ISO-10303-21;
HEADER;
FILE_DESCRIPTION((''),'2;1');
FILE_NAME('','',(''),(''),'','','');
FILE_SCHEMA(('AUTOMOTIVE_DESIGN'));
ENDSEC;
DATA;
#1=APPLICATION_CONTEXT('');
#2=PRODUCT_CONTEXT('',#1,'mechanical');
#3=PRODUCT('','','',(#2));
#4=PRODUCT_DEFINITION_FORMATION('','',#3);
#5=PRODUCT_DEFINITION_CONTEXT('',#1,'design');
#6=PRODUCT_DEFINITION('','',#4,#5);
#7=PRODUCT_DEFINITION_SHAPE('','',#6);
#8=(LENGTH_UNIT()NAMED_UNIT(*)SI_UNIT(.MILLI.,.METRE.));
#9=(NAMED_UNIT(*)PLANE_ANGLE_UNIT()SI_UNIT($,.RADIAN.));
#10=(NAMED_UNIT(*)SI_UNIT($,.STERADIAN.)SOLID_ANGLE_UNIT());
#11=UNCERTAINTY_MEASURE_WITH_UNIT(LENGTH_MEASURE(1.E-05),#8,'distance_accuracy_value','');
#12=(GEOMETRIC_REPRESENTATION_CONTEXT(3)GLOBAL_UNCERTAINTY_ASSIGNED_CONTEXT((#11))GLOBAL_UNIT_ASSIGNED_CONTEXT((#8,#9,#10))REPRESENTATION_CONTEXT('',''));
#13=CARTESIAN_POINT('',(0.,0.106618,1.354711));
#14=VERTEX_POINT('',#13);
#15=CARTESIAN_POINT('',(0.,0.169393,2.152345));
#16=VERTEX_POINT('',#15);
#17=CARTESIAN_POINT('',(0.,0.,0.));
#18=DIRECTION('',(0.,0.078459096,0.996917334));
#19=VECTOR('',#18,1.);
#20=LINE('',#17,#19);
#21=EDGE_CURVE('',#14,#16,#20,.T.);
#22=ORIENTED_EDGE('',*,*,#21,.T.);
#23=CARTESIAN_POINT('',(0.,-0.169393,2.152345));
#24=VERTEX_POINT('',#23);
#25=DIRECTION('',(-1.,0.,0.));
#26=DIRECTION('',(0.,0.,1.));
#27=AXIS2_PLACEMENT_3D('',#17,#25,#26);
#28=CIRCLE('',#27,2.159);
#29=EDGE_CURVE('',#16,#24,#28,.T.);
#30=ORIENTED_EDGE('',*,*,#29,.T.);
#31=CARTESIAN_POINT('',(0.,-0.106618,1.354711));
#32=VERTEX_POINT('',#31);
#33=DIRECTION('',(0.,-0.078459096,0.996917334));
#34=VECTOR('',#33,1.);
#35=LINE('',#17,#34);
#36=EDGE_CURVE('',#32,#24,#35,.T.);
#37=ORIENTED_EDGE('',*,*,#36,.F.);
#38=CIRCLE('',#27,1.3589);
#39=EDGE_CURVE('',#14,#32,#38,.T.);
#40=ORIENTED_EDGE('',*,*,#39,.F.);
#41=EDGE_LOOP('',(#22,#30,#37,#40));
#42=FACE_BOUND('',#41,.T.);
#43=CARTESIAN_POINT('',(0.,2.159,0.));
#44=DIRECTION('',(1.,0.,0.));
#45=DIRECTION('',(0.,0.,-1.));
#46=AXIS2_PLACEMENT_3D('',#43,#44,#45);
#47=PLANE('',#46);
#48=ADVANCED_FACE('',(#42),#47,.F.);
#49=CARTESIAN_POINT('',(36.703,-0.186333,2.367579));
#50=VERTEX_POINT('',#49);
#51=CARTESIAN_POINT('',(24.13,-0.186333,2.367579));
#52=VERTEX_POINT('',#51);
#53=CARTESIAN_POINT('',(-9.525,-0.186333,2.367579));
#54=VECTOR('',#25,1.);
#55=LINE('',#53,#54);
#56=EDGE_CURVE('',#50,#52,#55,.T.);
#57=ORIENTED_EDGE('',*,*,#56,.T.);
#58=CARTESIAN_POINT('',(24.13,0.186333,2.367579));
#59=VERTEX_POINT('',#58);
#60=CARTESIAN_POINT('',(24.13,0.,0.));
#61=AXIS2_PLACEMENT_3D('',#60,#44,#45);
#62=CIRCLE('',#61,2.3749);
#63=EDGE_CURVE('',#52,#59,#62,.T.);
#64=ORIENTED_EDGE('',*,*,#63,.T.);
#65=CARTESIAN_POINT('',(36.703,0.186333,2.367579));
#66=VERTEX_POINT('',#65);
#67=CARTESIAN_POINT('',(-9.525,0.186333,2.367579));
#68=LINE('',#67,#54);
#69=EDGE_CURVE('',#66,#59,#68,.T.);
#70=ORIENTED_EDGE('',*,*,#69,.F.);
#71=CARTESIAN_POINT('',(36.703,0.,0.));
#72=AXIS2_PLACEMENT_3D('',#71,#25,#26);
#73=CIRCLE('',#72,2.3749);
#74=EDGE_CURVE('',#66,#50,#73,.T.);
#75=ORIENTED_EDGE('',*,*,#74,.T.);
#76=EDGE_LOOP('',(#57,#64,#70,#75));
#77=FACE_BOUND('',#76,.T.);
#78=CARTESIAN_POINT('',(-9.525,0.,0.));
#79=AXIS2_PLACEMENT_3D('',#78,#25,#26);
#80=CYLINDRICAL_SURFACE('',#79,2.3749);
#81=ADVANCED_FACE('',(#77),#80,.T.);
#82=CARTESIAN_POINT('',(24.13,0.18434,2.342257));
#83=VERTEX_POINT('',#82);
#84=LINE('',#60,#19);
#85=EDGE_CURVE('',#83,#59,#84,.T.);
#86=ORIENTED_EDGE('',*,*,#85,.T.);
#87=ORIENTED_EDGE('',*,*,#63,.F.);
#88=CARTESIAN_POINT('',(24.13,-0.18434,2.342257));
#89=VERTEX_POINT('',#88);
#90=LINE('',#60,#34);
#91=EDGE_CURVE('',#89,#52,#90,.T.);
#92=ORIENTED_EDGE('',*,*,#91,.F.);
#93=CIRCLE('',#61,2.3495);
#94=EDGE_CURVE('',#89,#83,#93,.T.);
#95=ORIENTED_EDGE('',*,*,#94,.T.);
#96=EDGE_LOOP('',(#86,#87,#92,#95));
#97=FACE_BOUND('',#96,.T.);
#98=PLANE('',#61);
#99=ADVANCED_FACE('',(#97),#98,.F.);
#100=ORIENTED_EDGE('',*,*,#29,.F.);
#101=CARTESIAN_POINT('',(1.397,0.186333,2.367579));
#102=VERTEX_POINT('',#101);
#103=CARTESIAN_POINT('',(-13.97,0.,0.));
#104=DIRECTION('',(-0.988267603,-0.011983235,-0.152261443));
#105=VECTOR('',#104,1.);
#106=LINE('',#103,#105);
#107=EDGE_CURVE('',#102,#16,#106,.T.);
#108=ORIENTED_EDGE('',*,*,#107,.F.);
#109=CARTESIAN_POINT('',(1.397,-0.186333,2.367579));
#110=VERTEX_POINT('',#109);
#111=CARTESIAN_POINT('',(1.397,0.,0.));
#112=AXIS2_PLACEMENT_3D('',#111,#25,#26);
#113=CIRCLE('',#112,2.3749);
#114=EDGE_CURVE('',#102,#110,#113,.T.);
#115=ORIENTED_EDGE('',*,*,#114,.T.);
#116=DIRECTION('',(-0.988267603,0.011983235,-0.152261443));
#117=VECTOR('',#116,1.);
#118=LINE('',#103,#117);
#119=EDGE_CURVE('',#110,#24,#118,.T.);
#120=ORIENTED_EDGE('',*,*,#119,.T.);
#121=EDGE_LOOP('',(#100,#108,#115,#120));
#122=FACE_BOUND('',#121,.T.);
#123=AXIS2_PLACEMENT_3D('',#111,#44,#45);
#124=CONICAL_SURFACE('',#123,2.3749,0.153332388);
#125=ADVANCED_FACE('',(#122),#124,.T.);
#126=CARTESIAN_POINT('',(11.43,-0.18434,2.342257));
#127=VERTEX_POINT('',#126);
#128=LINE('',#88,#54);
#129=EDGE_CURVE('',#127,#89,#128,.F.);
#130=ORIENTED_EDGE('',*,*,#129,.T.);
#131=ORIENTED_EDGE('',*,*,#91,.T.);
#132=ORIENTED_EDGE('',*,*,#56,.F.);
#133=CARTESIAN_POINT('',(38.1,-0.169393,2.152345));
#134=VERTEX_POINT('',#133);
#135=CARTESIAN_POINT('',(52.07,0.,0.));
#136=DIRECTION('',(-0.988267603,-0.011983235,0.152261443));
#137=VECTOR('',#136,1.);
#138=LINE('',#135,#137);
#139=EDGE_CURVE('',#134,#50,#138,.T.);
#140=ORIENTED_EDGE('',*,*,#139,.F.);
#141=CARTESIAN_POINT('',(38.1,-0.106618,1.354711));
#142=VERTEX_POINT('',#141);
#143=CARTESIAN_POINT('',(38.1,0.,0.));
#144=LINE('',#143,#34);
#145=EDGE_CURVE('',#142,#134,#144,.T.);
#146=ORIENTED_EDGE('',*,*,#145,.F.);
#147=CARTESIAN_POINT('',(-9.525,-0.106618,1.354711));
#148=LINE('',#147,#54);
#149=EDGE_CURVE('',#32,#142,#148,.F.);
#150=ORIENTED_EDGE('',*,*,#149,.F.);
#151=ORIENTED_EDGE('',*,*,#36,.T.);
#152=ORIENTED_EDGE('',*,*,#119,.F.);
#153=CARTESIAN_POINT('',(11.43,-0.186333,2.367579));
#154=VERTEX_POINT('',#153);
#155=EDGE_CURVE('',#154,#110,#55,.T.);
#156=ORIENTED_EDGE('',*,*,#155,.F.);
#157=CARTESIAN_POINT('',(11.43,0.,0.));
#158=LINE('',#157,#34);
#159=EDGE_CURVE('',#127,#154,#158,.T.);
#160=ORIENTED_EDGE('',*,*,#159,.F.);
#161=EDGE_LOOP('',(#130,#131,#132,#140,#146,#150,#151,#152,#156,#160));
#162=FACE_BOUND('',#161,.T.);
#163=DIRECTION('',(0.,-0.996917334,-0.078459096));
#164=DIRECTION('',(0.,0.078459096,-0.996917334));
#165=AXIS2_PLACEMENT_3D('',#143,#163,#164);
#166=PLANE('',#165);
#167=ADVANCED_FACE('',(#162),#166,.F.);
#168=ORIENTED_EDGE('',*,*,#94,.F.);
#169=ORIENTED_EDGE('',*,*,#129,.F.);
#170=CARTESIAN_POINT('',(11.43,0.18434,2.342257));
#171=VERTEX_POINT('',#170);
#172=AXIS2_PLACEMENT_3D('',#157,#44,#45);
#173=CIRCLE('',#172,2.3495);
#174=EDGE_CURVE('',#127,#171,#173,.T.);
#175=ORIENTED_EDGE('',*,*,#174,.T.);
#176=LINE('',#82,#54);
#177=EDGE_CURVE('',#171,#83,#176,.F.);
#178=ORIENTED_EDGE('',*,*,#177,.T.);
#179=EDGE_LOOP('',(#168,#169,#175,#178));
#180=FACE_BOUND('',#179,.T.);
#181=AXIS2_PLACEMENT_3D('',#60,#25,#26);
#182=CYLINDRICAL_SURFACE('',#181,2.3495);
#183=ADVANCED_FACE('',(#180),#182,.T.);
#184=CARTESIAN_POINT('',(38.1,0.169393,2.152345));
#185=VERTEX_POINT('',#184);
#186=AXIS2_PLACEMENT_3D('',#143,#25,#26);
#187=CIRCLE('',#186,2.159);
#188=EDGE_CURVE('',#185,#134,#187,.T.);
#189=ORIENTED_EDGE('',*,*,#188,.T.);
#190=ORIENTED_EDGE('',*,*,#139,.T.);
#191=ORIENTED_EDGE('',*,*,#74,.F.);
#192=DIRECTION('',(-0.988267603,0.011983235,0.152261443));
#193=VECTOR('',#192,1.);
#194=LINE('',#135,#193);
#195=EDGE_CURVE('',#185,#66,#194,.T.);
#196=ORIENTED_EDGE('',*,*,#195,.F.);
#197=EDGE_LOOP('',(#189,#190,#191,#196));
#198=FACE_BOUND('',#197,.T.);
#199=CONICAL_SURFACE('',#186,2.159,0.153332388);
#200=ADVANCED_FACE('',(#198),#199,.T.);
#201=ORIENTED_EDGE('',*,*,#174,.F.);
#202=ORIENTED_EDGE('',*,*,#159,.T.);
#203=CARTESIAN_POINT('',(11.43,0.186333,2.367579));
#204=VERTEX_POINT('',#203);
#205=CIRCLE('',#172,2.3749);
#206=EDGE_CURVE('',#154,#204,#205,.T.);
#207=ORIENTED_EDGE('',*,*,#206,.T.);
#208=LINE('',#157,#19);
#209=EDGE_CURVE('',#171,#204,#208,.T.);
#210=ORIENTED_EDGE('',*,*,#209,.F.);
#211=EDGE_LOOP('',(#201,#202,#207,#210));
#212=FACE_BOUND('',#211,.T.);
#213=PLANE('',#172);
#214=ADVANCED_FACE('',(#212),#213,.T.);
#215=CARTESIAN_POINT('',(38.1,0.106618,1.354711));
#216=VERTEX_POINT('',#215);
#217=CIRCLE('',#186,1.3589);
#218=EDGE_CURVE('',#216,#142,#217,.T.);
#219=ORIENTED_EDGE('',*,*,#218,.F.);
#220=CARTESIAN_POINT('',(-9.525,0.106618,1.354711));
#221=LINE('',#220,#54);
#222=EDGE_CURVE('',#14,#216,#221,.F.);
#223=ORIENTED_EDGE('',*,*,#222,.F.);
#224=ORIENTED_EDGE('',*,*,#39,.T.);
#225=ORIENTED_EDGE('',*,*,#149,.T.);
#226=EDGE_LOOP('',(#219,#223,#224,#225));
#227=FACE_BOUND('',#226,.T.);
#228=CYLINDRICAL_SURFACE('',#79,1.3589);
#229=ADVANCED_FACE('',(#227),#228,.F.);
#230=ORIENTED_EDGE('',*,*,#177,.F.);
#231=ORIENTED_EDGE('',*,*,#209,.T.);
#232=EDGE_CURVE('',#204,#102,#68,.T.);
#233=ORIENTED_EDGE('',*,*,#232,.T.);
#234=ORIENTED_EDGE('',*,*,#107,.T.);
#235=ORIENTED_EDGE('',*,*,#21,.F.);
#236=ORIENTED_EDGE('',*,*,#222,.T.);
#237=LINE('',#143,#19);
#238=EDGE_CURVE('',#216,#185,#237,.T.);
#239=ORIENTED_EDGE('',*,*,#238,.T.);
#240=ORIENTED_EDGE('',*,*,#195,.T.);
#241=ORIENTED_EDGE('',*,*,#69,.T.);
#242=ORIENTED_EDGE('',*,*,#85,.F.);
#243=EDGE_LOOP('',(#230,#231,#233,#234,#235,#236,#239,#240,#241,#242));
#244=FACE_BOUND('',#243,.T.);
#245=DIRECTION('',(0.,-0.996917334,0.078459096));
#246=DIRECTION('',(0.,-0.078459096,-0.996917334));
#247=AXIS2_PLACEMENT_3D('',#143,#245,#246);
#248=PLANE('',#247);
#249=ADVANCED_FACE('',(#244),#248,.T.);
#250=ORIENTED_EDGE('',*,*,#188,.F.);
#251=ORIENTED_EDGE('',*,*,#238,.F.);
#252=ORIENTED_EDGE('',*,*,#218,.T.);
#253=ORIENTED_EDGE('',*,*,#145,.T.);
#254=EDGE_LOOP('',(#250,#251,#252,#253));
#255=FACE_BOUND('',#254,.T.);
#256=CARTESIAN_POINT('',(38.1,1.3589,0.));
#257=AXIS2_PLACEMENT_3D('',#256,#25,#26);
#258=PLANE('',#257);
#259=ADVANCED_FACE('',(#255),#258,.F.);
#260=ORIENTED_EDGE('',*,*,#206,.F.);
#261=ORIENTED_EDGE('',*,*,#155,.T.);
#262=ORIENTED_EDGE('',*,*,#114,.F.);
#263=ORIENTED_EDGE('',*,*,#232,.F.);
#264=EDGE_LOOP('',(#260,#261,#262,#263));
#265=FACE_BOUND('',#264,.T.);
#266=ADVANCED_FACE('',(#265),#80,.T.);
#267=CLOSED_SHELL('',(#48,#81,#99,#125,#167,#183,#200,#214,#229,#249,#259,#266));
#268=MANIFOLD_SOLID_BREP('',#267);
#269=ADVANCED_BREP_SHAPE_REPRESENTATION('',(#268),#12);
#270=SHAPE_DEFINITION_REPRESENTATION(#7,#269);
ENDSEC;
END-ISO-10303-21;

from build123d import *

# Parameters (mm, degrees)
GAP_DEPTH               = 39.247748954
CUT_EXTRUDE1_DEPTH      = 6.35
CUT_EXTRUDE1_DEPTH_BACK = 6.35
SKETCH3_R               = 4.928370377
SKETCH3_R_2             = 2.3495


with BuildPart() as part:
    # Sketch1 → Base-Revolve (revolve)
    with BuildSketch(Plane.XY, mode=Mode.PRIVATE) as base_revolve_sk:
        Polygon((0, 1.3589), (38.1, 1.3589), (38.1, 2.159), (36.703, 2.3749), (1.397, 2.3749), (0, 2.159), align=None)
    revolve(base_revolve_sk.sketch.rotate(Axis((-9.525, 0, 0), (1, 0, 0)), 90), axis=Axis((-9.525, 0, 0), (1, 0, 0)))

    # Sketch2 → Gap (cut, through all)
    with BuildSketch(Plane(origin=(0, 0, 0), x_dir=(0, -1, 0), z_dir=(-1, 0, 0))):
        with BuildLine():
            Line((0, 0), (0.190059157, 2.414930555))
            ThreePointArc((0.190059157, 2.414930555), (0, 2.422398), (-0.190059157, 2.414930555))
            Line((-0.190059157, 2.414930555), (0, 0))
        make_face()
    extrude(amount=-GAP_DEPTH, mode=Mode.SUBTRACT)

    # Sketch3 → Cut-Extrude1 (cut, two sides: drawn at the far end of the back side and taken through both)
    with BuildSketch(Plane(origin=(17.78, 0, 0), x_dir=(0, 0, -1), z_dir=(1, 0, 0)).offset(-CUT_EXTRUDE1_DEPTH_BACK)):
        Circle(SKETCH3_R)
        Circle(SKETCH3_R_2, mode=Mode.SUBTRACT)
    extrude(amount=CUT_EXTRUDE1_DEPTH + CUT_EXTRUDE1_DEPTH_BACK, mode=Mode.SUBTRACT)


solid = part.part
